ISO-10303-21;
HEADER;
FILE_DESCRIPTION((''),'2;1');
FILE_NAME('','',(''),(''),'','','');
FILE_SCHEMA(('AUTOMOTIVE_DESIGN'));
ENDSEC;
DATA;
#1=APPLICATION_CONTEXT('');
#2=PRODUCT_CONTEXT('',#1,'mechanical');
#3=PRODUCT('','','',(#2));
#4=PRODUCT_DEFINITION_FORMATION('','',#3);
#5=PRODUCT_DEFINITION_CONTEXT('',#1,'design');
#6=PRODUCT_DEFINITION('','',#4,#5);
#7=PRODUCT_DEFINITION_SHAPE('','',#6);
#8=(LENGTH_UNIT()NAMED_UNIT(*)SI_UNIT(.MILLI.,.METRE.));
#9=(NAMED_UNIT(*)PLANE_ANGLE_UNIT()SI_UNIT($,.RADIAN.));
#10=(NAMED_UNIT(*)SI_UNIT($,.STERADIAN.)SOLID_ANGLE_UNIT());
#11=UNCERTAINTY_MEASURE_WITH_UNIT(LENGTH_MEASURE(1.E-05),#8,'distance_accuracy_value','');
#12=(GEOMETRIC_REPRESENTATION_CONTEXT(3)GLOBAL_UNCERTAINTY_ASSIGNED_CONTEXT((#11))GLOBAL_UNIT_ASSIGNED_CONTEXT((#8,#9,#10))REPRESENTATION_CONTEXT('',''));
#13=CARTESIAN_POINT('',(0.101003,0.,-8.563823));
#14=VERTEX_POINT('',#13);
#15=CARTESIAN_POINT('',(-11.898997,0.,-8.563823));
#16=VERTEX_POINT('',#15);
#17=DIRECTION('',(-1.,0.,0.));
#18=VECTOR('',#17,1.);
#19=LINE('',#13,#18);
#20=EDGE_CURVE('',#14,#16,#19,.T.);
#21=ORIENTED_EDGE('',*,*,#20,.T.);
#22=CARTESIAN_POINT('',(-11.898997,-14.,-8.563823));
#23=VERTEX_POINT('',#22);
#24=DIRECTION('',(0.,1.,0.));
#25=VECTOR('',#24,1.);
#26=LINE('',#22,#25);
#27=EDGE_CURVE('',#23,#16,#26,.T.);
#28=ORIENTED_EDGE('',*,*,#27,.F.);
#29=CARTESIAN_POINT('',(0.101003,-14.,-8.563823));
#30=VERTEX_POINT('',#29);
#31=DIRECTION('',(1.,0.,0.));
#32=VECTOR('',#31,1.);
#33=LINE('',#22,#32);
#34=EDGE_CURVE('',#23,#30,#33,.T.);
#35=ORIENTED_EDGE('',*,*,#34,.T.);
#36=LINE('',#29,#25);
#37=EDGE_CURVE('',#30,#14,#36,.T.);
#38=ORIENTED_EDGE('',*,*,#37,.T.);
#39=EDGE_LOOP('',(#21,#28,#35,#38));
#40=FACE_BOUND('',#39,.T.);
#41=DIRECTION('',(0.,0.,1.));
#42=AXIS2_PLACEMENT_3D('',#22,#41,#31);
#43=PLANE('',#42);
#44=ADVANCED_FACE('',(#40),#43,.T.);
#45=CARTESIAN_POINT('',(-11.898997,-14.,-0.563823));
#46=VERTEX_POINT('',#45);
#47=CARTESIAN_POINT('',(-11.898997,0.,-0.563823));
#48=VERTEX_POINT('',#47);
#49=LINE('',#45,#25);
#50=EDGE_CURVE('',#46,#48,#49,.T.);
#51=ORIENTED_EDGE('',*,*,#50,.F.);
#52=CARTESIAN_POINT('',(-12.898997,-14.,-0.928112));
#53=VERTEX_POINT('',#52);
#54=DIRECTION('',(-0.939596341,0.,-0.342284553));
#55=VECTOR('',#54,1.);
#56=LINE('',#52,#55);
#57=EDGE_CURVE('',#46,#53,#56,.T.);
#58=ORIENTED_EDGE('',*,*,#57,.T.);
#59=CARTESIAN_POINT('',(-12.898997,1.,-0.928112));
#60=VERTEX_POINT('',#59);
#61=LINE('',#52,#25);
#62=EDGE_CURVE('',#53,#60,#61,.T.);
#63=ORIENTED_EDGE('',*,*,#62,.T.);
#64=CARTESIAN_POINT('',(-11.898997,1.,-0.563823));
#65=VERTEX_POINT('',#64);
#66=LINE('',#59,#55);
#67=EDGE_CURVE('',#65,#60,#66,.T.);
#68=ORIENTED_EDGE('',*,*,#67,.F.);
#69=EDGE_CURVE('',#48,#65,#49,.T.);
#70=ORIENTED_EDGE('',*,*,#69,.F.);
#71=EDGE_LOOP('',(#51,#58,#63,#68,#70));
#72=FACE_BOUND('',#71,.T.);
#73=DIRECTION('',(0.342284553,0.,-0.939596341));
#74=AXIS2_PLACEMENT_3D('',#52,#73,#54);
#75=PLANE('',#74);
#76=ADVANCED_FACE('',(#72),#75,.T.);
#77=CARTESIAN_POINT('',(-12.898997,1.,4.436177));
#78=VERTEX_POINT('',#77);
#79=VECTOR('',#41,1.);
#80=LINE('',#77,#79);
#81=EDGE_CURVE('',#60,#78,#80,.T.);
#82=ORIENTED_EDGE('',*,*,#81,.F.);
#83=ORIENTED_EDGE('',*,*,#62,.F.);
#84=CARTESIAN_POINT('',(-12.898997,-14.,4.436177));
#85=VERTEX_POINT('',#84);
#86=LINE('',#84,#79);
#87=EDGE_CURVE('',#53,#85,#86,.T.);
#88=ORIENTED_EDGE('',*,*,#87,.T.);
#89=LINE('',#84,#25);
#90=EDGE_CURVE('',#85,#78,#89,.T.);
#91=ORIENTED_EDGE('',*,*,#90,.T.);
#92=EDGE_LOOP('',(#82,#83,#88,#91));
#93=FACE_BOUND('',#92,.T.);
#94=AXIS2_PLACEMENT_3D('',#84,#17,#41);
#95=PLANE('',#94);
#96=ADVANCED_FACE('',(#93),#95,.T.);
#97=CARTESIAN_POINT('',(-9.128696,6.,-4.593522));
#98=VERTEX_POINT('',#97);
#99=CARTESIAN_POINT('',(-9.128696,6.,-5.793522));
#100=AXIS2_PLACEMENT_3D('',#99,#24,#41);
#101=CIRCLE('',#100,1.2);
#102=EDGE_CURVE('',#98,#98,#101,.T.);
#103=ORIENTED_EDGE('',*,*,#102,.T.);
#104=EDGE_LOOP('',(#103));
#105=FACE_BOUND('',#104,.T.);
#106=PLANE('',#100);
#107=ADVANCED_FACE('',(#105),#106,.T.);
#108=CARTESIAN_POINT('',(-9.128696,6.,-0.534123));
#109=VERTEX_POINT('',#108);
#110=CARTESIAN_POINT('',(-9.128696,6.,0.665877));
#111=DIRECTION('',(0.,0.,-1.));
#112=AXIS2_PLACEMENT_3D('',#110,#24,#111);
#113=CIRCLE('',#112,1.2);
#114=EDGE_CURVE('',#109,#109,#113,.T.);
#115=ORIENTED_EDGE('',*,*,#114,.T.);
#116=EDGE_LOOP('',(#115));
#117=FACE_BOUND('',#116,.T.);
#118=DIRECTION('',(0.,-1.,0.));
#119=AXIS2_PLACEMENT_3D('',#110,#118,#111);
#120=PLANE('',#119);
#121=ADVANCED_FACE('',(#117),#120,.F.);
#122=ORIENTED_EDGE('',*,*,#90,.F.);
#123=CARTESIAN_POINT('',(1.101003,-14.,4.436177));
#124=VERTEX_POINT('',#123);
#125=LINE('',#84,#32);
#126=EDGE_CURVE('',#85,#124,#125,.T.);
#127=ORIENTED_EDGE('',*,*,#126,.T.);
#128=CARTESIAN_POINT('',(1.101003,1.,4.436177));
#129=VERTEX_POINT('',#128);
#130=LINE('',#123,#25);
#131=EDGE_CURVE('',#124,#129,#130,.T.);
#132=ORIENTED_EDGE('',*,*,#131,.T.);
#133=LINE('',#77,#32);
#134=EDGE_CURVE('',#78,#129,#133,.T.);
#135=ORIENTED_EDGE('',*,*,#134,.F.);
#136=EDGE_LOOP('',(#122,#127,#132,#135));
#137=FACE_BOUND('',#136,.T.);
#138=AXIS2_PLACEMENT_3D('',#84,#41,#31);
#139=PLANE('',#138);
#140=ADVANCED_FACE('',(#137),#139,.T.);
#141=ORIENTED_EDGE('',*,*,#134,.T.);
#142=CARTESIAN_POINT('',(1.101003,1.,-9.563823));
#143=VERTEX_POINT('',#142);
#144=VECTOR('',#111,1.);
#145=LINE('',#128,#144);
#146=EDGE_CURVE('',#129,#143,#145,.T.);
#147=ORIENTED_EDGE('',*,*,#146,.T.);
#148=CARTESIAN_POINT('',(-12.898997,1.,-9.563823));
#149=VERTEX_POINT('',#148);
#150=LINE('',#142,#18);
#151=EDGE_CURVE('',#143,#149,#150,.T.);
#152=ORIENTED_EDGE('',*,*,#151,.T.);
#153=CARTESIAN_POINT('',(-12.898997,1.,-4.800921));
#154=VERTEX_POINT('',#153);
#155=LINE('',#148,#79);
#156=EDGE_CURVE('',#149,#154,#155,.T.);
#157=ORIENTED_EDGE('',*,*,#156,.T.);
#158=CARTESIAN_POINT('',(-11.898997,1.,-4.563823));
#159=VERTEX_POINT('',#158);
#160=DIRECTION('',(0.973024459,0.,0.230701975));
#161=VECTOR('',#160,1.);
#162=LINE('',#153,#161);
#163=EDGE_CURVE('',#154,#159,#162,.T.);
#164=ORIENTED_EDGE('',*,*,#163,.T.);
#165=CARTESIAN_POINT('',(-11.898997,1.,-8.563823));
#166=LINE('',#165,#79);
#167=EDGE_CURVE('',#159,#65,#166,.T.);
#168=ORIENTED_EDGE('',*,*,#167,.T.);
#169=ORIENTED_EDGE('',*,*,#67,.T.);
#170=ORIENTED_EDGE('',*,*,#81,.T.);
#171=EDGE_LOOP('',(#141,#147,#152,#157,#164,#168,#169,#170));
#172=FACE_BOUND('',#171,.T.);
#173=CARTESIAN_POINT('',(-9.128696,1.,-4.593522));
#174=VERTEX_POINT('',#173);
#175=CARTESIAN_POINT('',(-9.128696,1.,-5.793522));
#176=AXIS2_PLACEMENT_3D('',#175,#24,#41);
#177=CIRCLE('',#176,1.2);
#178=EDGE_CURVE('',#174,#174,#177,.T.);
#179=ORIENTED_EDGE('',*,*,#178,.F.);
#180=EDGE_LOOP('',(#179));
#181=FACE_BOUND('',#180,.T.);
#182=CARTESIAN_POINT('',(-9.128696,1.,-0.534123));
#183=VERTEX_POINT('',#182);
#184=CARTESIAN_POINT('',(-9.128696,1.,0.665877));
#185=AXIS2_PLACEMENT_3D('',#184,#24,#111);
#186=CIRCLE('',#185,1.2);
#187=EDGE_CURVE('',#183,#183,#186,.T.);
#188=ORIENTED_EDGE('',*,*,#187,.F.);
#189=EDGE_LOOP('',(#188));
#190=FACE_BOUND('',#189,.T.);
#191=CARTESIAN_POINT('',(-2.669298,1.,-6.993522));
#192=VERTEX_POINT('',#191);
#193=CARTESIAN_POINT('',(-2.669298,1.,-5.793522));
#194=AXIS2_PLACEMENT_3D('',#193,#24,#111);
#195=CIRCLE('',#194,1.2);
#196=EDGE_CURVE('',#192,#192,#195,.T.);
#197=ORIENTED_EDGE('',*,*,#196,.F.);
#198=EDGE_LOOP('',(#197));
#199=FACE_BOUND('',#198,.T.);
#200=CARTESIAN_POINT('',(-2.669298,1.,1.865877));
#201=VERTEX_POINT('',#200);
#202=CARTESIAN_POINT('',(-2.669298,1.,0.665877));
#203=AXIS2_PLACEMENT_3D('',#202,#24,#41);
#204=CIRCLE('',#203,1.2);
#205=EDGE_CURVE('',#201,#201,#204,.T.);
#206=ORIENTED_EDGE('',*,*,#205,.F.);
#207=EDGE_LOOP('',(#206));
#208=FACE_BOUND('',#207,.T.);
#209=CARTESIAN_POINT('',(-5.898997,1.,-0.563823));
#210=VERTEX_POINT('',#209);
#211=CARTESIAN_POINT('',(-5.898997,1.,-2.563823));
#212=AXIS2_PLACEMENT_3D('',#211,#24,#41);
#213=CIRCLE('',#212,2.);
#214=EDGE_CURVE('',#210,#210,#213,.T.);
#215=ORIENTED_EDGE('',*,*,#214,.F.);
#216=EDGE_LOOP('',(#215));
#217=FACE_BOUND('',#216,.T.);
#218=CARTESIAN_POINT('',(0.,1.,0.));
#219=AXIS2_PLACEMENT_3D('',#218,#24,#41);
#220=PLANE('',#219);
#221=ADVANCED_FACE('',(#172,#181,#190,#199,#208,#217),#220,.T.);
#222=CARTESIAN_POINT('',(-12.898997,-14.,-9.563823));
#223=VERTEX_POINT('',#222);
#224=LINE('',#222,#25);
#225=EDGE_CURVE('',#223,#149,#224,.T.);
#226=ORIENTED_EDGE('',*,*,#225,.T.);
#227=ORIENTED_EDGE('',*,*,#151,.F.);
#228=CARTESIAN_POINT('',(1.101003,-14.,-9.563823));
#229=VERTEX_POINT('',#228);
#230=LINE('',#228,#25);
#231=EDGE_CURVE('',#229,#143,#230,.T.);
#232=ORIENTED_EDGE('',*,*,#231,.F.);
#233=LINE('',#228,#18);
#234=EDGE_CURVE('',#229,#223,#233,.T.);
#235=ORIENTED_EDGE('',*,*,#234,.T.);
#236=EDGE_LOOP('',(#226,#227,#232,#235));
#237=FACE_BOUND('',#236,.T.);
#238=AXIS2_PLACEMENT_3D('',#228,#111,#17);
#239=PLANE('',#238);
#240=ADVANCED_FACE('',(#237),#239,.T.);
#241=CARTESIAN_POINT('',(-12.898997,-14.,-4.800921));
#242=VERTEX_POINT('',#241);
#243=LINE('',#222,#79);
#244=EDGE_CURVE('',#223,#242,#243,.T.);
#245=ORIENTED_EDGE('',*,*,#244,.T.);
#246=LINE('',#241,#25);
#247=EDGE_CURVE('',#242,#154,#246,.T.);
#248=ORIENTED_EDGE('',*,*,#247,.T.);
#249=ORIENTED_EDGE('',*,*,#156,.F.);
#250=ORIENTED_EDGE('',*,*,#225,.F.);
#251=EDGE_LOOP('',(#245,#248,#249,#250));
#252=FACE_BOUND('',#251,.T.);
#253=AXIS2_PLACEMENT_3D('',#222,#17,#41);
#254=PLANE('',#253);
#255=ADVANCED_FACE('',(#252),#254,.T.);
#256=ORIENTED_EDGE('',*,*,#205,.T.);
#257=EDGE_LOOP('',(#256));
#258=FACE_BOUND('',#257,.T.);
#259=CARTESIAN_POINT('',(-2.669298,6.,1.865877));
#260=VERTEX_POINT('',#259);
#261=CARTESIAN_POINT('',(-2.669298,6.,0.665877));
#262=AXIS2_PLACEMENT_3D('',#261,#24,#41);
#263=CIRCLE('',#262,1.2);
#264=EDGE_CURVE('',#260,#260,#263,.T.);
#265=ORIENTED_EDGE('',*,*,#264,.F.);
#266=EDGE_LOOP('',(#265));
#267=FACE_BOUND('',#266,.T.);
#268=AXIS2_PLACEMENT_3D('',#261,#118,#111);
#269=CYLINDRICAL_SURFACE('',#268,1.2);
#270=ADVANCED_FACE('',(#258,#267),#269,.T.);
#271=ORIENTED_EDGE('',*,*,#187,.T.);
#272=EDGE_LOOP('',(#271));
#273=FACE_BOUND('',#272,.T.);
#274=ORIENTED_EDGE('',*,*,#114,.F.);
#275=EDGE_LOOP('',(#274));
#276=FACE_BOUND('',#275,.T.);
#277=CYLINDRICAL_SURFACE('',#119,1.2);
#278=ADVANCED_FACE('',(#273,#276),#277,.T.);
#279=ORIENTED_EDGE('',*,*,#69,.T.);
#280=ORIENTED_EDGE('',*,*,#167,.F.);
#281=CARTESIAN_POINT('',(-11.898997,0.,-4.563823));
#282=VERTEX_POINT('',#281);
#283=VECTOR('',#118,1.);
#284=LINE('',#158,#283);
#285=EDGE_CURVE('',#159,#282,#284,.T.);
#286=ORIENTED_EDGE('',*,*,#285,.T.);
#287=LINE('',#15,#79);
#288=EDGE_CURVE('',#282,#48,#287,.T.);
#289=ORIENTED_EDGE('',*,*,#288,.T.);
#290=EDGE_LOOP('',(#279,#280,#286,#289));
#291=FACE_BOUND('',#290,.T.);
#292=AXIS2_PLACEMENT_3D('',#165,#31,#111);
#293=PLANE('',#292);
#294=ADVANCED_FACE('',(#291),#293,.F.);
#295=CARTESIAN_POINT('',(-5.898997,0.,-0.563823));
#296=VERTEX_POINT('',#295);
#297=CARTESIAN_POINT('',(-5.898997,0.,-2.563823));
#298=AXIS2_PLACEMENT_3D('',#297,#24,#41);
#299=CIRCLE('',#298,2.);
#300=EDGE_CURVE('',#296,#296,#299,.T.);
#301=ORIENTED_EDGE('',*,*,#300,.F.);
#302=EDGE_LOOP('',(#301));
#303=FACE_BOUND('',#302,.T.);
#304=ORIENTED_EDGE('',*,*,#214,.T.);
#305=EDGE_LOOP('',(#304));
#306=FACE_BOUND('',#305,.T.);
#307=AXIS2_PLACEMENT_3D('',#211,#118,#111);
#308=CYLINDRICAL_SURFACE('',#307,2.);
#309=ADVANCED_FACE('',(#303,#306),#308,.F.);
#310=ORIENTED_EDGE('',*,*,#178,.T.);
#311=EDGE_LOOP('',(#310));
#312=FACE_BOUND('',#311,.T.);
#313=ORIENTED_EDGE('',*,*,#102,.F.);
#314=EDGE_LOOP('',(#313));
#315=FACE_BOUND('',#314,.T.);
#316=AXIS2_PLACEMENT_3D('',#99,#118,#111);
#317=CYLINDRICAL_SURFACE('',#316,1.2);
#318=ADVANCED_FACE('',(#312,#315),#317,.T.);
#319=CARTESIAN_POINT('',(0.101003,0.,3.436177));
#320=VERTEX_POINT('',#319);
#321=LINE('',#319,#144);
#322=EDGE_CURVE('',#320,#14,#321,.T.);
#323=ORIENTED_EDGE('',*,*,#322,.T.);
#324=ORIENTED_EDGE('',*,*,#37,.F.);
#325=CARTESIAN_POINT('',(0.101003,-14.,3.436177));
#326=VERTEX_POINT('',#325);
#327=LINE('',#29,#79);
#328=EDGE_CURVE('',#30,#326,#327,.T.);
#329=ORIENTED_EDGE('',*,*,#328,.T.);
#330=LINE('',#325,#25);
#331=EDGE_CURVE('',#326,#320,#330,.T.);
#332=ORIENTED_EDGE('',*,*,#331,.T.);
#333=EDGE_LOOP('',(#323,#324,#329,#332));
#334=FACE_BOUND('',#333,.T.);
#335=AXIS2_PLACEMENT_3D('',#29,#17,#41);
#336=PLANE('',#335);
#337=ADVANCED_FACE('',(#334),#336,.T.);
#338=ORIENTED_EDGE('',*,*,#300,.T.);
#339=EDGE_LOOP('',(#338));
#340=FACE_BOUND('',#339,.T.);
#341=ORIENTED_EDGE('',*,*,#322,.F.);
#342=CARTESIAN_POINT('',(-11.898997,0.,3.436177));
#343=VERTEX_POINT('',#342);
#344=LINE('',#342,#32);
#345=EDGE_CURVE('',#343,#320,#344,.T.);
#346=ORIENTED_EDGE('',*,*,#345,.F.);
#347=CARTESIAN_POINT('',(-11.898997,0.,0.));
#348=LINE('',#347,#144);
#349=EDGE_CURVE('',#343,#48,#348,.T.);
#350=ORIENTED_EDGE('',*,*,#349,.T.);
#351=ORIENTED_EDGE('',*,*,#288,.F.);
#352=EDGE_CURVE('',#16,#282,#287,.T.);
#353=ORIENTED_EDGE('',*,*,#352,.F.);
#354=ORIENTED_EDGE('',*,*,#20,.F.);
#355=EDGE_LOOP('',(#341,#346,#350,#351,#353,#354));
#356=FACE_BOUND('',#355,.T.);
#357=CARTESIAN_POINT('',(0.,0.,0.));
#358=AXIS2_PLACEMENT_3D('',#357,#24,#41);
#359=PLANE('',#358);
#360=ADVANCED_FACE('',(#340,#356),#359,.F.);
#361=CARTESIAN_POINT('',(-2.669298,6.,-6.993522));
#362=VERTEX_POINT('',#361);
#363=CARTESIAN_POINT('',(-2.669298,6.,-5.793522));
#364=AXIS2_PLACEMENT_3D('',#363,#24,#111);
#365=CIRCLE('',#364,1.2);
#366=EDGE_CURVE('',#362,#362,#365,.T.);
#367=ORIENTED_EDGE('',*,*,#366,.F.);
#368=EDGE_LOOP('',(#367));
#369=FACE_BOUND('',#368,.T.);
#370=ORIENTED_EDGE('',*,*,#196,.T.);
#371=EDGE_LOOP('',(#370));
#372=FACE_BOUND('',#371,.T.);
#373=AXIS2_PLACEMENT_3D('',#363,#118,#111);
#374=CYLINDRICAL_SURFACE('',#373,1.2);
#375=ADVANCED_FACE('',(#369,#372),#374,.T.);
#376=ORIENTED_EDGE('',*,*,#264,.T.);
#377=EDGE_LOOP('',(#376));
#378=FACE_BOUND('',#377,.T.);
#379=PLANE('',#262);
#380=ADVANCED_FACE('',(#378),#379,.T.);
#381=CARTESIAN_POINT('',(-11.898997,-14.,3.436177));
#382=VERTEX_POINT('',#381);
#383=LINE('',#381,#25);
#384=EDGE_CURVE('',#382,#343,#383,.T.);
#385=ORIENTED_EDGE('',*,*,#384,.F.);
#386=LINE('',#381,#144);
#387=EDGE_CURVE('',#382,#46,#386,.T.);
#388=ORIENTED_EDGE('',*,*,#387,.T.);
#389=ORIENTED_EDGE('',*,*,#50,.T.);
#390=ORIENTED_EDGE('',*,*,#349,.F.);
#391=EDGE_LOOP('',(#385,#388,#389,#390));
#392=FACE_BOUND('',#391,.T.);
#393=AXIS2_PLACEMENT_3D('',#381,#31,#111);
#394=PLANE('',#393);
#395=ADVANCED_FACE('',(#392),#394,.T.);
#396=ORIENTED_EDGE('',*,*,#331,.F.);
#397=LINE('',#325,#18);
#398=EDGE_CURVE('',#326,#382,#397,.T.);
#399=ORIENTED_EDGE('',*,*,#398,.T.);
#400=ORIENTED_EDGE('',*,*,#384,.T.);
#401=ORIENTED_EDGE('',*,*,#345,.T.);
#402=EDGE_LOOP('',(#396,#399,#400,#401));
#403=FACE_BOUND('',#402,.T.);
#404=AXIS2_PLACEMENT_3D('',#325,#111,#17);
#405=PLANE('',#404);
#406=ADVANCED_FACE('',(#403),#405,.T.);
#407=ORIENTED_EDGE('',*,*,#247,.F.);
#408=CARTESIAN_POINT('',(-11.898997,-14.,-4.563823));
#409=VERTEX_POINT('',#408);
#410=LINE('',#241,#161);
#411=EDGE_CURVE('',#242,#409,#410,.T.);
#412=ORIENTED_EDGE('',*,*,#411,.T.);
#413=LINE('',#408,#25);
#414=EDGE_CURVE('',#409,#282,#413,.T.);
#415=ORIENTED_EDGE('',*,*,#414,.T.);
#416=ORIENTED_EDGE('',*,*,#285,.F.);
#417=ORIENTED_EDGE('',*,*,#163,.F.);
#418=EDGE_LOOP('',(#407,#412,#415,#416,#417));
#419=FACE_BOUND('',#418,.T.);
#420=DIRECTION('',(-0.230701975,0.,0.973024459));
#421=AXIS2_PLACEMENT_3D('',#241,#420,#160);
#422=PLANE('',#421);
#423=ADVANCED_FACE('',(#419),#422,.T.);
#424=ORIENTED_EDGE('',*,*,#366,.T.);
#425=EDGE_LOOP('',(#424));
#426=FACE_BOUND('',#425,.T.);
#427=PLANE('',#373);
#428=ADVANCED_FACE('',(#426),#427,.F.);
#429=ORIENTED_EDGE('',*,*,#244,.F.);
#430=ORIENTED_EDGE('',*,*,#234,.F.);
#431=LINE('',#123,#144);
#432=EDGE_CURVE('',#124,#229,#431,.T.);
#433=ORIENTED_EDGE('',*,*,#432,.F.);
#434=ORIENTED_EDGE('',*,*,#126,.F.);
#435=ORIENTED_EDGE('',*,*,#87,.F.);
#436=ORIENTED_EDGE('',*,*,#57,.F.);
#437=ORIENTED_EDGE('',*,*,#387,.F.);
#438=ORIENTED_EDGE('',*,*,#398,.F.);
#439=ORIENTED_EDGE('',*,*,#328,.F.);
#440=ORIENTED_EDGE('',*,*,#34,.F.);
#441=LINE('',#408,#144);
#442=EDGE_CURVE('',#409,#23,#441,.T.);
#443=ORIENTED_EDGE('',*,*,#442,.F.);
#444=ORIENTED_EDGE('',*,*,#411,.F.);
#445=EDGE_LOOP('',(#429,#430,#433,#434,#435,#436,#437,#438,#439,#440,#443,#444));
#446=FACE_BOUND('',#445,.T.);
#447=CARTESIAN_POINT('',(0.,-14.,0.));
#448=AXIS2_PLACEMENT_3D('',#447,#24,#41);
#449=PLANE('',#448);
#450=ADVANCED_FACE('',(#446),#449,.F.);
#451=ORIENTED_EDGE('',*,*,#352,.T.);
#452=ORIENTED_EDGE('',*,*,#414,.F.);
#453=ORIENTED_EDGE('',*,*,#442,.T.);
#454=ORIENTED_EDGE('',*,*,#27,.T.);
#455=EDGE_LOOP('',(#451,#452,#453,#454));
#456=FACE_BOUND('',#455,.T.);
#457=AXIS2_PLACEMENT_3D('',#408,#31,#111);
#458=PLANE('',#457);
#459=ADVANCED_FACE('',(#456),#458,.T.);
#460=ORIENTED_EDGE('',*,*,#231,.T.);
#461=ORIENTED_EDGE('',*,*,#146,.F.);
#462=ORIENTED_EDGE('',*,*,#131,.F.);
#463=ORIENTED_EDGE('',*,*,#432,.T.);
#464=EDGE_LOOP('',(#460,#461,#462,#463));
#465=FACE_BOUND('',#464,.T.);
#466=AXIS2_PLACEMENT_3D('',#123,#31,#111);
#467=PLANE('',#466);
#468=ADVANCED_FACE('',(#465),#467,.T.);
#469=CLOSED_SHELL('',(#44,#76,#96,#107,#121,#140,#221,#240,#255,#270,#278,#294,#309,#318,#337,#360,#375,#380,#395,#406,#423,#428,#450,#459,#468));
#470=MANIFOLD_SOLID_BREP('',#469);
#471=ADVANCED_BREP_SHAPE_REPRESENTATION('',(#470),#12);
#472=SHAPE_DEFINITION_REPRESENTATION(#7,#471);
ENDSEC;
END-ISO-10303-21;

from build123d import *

# Parameters (mm, degrees)
SKETCH1_W           = 12
SKETCH1_H           = 12
SKETCH1_R           = 2
BOSS_EXTRUDE2_DEPTH = 1
BOSS_EXTRUDE5_DEPTH = 15
SKETCH4_R           = 1.2
BOSS_EXTRUDE6_DEPTH = 5


with BuildPart() as part:
    # Sketch1 → Boss-Extrude2 (new body)
    with BuildSketch(Plane(origin=(0, 0, 0), x_dir=(1, 0, 0), z_dir=(0, 1, 0))):
        with Locations((-5.898996881, 2.563822752)):
            Rectangle(SKETCH1_W, SKETCH1_H)
        with Locations((-5.898996881, 2.563822752)):
            Circle(SKETCH1_R, mode=Mode.SUBTRACT)
    extrude(amount=BOSS_EXTRUDE2_DEPTH)

    # Sketch3 → Boss-Extrude5 (add)
    with BuildSketch(Plane(origin=(0, 1, 0), x_dir=(1, 0, 0), z_dir=(0, 1, 0))):
        Polygon((-12.898996881, -4.436177248), (-12.898996881, 0.92811169), (-11.898996881, 0.563822752), (-11.898996881, -3.436177248), (0.101003119, -3.436177248), (0.101003119, 8.563822752), (-11.898996881, 8.563822752), (-11.898996881, 4.563822752), (-12.898996881, 4.800920569), (-12.898996881, 9.563822752), (1.101003119, 9.563822752), (1.101003119, -4.436177248), align=None)
    extrude(amount=-BOSS_EXTRUDE5_DEPTH)

    # Sketch4 → Boss-Extrude6 (add)
    with BuildSketch(Plane(origin=(0, 1, 0), x_dir=(1, 0, 0), z_dir=(0, 1, 0))):
        with Locations((-9.128696242, 5.793522112)):
            Circle(SKETCH4_R)
        with Locations((-2.66929752, 5.793522112)):
            Circle(SKETCH4_R)
        with Locations((-2.66929752, -0.665876609)):
            Circle(SKETCH4_R)
        with Locations((-9.128696242, -0.665876609)):
            Circle(SKETCH4_R)
    extrude(amount=BOSS_EXTRUDE6_DEPTH)


solid = part.part
